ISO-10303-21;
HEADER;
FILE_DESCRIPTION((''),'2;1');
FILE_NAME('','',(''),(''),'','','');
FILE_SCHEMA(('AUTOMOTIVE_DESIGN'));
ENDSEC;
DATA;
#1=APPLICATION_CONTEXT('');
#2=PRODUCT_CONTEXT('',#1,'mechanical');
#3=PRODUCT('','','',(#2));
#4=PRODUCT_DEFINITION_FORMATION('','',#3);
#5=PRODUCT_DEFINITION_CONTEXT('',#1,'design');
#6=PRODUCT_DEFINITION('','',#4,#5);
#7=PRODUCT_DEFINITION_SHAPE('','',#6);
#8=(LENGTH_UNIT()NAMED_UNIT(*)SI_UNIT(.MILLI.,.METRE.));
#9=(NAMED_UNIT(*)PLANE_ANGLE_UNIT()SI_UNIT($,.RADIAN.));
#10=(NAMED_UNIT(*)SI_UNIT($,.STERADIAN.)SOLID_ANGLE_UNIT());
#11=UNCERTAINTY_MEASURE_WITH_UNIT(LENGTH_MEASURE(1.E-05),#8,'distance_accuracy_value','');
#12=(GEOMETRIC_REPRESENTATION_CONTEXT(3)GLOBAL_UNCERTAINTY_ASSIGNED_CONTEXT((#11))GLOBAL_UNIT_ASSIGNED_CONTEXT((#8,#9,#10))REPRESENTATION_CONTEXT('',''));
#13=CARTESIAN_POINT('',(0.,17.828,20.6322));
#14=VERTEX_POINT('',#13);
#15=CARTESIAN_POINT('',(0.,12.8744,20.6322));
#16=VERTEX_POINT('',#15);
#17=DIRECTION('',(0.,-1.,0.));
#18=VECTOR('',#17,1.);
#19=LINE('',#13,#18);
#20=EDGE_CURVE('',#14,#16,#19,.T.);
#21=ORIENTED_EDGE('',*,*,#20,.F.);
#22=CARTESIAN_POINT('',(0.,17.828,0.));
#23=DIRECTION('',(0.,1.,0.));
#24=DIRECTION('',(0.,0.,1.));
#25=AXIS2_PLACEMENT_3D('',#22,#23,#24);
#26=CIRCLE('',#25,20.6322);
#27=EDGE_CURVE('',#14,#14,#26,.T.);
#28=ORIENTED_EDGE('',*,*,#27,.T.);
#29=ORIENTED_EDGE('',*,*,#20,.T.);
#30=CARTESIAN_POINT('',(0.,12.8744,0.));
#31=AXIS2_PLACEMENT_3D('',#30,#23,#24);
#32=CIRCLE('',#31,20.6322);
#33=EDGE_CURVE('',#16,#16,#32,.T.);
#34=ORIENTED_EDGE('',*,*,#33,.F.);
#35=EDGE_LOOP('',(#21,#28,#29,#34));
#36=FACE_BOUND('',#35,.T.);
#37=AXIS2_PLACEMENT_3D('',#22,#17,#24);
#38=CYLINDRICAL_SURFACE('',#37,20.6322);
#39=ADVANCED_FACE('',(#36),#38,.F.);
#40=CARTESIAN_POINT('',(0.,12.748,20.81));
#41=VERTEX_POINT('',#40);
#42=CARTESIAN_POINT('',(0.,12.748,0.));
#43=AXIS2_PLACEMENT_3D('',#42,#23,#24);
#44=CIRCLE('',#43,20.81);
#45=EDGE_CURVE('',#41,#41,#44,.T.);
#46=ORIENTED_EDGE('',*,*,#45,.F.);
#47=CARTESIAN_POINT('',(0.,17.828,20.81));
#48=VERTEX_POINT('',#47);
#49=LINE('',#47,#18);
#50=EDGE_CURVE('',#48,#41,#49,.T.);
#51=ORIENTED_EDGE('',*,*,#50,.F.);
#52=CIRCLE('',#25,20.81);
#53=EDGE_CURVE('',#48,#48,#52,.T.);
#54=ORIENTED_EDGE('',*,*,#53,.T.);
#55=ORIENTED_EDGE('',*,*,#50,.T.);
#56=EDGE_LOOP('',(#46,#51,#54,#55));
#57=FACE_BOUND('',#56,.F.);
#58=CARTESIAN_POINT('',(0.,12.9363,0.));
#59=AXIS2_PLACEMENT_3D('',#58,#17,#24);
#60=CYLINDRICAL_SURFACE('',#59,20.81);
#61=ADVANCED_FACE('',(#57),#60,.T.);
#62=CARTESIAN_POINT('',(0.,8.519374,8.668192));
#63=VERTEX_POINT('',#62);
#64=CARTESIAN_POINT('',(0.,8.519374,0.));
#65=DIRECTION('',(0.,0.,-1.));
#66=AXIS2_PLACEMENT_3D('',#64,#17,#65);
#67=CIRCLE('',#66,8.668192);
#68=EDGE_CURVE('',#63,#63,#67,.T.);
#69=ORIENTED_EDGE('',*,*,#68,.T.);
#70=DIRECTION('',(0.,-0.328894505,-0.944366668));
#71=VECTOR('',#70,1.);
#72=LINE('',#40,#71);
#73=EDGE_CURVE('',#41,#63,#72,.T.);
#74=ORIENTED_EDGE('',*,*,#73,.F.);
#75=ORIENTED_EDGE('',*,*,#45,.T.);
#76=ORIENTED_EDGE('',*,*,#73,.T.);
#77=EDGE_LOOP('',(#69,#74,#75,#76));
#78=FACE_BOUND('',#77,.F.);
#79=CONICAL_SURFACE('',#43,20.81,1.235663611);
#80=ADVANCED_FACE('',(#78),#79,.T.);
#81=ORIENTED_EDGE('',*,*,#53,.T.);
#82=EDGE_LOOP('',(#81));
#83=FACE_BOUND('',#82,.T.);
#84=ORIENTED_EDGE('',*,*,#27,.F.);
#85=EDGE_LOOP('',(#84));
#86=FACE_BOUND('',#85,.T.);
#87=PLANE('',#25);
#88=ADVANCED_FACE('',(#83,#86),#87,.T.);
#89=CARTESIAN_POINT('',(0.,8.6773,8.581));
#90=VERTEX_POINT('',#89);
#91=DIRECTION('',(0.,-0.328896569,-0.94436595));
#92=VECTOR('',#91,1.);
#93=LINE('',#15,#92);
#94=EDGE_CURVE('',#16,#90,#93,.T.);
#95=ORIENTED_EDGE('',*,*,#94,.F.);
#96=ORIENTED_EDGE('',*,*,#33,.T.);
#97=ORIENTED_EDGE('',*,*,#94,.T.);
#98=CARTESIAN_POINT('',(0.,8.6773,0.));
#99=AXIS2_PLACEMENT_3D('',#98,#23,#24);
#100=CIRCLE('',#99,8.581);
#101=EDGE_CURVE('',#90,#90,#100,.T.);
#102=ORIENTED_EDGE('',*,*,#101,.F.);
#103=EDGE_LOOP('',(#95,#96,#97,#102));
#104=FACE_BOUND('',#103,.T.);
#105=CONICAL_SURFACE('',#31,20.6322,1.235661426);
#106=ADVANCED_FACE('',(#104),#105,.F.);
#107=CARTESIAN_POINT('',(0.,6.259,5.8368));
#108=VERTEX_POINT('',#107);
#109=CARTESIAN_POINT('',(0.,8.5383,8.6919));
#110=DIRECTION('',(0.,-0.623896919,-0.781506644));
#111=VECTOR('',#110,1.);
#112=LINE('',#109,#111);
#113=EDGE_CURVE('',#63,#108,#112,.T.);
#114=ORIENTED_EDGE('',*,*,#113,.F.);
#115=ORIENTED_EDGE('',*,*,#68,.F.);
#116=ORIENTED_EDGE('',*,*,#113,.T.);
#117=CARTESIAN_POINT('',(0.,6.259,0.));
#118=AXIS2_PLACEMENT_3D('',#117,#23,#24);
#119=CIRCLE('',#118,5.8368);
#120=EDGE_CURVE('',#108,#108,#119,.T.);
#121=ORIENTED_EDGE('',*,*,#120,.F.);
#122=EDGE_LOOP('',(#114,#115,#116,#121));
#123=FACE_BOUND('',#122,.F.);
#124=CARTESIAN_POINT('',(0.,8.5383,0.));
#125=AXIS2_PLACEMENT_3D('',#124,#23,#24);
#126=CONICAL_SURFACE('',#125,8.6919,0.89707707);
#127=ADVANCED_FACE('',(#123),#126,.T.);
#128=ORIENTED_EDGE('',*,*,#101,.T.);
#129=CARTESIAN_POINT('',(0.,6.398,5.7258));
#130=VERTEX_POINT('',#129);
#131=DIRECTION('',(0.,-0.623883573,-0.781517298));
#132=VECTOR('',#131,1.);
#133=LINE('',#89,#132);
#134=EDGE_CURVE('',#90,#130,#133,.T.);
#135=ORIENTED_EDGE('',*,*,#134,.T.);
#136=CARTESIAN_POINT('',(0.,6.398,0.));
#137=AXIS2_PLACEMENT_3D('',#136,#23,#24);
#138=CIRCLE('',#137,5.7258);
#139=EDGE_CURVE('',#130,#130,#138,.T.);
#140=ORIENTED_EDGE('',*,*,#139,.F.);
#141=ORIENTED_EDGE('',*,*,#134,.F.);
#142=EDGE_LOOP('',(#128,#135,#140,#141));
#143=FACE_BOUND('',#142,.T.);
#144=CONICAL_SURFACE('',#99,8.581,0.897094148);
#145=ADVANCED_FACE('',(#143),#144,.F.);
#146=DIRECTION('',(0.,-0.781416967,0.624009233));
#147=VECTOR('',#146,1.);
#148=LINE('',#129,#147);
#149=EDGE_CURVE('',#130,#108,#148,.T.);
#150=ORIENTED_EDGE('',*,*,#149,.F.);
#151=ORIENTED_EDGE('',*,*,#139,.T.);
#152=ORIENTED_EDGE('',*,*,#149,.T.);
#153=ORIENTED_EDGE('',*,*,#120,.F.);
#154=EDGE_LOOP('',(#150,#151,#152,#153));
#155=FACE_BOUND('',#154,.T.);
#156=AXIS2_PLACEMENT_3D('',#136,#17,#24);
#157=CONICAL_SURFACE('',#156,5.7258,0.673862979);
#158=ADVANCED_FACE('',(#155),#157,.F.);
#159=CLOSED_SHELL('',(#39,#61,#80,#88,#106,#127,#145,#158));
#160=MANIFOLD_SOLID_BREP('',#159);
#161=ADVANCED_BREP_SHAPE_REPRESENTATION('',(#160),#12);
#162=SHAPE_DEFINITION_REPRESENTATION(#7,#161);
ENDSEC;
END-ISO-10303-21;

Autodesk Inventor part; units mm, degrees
ref_plane "YZ Plane" through (0, 0, 0) normal (1, 0, 0) x (0, 1, 0)
ref_plane "XZ Plane" through (0, 0, 0) normal (0, 1, 0) x (-1, 0, 0)
ref_plane "XY Plane" through (0, 0, 0) normal (0, 0, 1) x (1, 0, 0)
sketch "Sketch1" plane through (0, 0, 0) normal (1, 0, 0) x (0, 1, 0)
  line L0 (-5.1799, 0) -> (31.0792, 0) construction
  line L1 (0, -33.1988) -> (0, 40.25) construction
  line L2 (0, 0) -> (13, 9.7962) construction
  line L3 (0, 0) -> (13, -9.7962) construction
  line L4 (3.35, 2.6) -> (0.75, 2.6) construction
  line L5 (0.75, 2.6) -> (0.75, -2.6) construction
  line L6 (0.75, -2.6) -> (3.35, -2.6) construction
  line L7 (3.35, -2.6) -> (3.35, 2.6) construction
  line L8 (4.874, 11.4005) -> (4.874, -12.8161) construction
  line L9 (7.922, 11.2583) -> (7.922, -12.1988) construction
  circle A0 centre (6.398, 25.4) radius 3.175 construction
  line L10 (12.748, 29.7573) -> (12.748, -6.0773) construction
  line L11 (13, -8.155) -> (13, 15.6322) construction
  line L12 (12.748, 20.81) -> (8.422, 8.3886)
  line L13 (13, 11.8384) -> (4.874, 5.715) construction
  line L14 (12.9363, 20.81) -> (12.8744, 20.6322) construction
  line L15 (12.748, 20.81) -> (21.6933, 20.81) construction
  line L16 (12.9363, 20.81) -> (12.748, 20.81)
  line L17 (8.6773, 8.581) -> (8.422, 8.3886)
  line L18 (0, 3.81) -> (0, -3.81) construction
  line L19 (0, 3.81) -> (13, 13.6062) construction
  line L20 (13, 15.6322) -> (25.8994, 15.6322) construction
  line L21 (17.828, 20.81) -> (17.828, 20.6322)
  line L22 (17.828, 20.6322) -> (12.8744, 20.6322)
  line L23 (17.828, 20.81) -> (12.9363, 20.81)
  line L24 (12.8744, 20.6322) -> (8.6773, 8.581)
  line L25 (4.874, 5.715) -> (7.922, 8.763) construction
  line L26 (5, -22.7061) -> (5, -16.8713)
  line L27 (8.422, 8.3886) -> (8.422, 7.251) construction
  line L28 (8.422, 7.251) -> (3.35, 3.429) construction
  line L29 (6.398, 5.7258) -> (12.748, 13.6802) construction
  dimension "d0" = 37
  dimension "d1" = 13
  dimension "d2" = 2.6
  dimension "d3" = 5.2
  dimension "d4" = 0.75
  dimension "d5" = 1.524
  dimension "d6" = 3.048
  dimension "d7" = 6.35
  dimension "d8" = 1.524
  dimension "d9" = 25.4
  dimension "d10" = 3.175
  dimension "cone1_major_rad" = 20.81
  dimension "d13" = 0.5
  dimension "d15" = 5.715
  dimension "d17" = 0.1778
  dimension "d19" = 7.62
  dimension "d21" = 5.1778
  dimension "d22" = 0.1778
  dimension "ring_hieght" = 5.08
  dimension "cone1_minor_rad" = 8.3886
  dimension "cone1_height" = 4.326
  dimension "d26" = 45
  dimension "d27" = 5
  dimension "d29" = 2.286
  dimension "d30" = 7.251
  dimension "d31" = 13.6802
  dimension "cone2_minor_rad" = 5.7258
  dimension "d33" = 6.35
  dimension "d34" = 8.581
  dimension "cone2_hieght" = 2.024
revolve "Revolution1" add sketch "Sketch1" angle 360 about axis through (0, -10, 0) along (0, 1, 0)
sketch "Sketch2" plane through (0, 0, 0) normal (1, 0, 0) x (0, 1, 0)
  line L0 (8.6773, 8.581) -> (8.422, 8.3886) projected
  line L1 (0, 0) -> (13, 9.7962) construction
  line L2 (8.422, 8.3886) -> (8.422, 6.3464)
  line L3 (8.6773, 8.581) -> (8.6773, 6.5388)
  line L4 (8.422, 6.3464) -> (8.6773, 6.5388)
  line L5 (-5.1799, 0) -> (31.0792, 0) construction
revolve "Revolution2" [suppressed]
sketch "Sketch4" plane through (0, 0, 0) normal (1, 0, 0) x (0, 1, 0)
  line L0 (6.398, 5.7258) -> (12.748, 13.6802) construction
  line L1 (8.6773, 8.581) -> (6.398, 5.7258)
  line L2 (8.5383, 8.6919) -> (6.259, 5.8368)
  line L3 (6.398, 5.7258) -> (6.259, 5.8368)
  line L4 (8.6773, 8.581) -> (8.5383, 8.6919)
  line L5 (-5.1799, 0) -> (31.0792, 0) construction
  point P0 (0, 0)
  dimension "d36" = 0.1778
revolve "Revolution3" add sketch "Sketch4" angle 360 about axis through (0, -5.1799, 0) along (0, 1, 0)
equation "\"d8\" = 0.5 * d6"
equation "\"cone1_major_rad\" = 0.5 * main_aperture_diameter"
equation "\"d15\" = 0.5 * headplate_aperture_diameter"
equation "\"d19\" = fov_diameter"
equation "\"d21\" = 0.5 * EO_20x_diameter - 0.5 * E0_20x_front_aperture_diameter + d17"
equation "\"d22\" = d17"
equation "\"d36\" = d17"
equation "\"BendRadius\" = Thickness"
equation "\"BendReliefWidth\" = Thickness"
equation "\"BendReliefDepth\" = 0.5 * Thickness"
equation "\"CornerReliefSize\" = 4 * Thickness"
equation "\"MinimumRemnant\" = 2 * Thickness"
equation "\"TransitionRadius\" = BendRadius"
equation "\"JacobiRadiusSize\" = Thickness"
equation "\"GapSize\" = Thickness"
equation "\"main_aperture_diameter\" = 41.62"
equation "\"headplate_aperture_diameter\" = 11.43"
equation "\"fov_diameter\" = 7.62"
equation "\"EO_20x_diameter\" = 33.999932"
equation "\"E0_20x_front_aperture_diameter\" = 24.000003"
equation "\"Thickness\" = 3.048"
properties part number "objective_shield_2" material "Brass, Soft Yellow"
